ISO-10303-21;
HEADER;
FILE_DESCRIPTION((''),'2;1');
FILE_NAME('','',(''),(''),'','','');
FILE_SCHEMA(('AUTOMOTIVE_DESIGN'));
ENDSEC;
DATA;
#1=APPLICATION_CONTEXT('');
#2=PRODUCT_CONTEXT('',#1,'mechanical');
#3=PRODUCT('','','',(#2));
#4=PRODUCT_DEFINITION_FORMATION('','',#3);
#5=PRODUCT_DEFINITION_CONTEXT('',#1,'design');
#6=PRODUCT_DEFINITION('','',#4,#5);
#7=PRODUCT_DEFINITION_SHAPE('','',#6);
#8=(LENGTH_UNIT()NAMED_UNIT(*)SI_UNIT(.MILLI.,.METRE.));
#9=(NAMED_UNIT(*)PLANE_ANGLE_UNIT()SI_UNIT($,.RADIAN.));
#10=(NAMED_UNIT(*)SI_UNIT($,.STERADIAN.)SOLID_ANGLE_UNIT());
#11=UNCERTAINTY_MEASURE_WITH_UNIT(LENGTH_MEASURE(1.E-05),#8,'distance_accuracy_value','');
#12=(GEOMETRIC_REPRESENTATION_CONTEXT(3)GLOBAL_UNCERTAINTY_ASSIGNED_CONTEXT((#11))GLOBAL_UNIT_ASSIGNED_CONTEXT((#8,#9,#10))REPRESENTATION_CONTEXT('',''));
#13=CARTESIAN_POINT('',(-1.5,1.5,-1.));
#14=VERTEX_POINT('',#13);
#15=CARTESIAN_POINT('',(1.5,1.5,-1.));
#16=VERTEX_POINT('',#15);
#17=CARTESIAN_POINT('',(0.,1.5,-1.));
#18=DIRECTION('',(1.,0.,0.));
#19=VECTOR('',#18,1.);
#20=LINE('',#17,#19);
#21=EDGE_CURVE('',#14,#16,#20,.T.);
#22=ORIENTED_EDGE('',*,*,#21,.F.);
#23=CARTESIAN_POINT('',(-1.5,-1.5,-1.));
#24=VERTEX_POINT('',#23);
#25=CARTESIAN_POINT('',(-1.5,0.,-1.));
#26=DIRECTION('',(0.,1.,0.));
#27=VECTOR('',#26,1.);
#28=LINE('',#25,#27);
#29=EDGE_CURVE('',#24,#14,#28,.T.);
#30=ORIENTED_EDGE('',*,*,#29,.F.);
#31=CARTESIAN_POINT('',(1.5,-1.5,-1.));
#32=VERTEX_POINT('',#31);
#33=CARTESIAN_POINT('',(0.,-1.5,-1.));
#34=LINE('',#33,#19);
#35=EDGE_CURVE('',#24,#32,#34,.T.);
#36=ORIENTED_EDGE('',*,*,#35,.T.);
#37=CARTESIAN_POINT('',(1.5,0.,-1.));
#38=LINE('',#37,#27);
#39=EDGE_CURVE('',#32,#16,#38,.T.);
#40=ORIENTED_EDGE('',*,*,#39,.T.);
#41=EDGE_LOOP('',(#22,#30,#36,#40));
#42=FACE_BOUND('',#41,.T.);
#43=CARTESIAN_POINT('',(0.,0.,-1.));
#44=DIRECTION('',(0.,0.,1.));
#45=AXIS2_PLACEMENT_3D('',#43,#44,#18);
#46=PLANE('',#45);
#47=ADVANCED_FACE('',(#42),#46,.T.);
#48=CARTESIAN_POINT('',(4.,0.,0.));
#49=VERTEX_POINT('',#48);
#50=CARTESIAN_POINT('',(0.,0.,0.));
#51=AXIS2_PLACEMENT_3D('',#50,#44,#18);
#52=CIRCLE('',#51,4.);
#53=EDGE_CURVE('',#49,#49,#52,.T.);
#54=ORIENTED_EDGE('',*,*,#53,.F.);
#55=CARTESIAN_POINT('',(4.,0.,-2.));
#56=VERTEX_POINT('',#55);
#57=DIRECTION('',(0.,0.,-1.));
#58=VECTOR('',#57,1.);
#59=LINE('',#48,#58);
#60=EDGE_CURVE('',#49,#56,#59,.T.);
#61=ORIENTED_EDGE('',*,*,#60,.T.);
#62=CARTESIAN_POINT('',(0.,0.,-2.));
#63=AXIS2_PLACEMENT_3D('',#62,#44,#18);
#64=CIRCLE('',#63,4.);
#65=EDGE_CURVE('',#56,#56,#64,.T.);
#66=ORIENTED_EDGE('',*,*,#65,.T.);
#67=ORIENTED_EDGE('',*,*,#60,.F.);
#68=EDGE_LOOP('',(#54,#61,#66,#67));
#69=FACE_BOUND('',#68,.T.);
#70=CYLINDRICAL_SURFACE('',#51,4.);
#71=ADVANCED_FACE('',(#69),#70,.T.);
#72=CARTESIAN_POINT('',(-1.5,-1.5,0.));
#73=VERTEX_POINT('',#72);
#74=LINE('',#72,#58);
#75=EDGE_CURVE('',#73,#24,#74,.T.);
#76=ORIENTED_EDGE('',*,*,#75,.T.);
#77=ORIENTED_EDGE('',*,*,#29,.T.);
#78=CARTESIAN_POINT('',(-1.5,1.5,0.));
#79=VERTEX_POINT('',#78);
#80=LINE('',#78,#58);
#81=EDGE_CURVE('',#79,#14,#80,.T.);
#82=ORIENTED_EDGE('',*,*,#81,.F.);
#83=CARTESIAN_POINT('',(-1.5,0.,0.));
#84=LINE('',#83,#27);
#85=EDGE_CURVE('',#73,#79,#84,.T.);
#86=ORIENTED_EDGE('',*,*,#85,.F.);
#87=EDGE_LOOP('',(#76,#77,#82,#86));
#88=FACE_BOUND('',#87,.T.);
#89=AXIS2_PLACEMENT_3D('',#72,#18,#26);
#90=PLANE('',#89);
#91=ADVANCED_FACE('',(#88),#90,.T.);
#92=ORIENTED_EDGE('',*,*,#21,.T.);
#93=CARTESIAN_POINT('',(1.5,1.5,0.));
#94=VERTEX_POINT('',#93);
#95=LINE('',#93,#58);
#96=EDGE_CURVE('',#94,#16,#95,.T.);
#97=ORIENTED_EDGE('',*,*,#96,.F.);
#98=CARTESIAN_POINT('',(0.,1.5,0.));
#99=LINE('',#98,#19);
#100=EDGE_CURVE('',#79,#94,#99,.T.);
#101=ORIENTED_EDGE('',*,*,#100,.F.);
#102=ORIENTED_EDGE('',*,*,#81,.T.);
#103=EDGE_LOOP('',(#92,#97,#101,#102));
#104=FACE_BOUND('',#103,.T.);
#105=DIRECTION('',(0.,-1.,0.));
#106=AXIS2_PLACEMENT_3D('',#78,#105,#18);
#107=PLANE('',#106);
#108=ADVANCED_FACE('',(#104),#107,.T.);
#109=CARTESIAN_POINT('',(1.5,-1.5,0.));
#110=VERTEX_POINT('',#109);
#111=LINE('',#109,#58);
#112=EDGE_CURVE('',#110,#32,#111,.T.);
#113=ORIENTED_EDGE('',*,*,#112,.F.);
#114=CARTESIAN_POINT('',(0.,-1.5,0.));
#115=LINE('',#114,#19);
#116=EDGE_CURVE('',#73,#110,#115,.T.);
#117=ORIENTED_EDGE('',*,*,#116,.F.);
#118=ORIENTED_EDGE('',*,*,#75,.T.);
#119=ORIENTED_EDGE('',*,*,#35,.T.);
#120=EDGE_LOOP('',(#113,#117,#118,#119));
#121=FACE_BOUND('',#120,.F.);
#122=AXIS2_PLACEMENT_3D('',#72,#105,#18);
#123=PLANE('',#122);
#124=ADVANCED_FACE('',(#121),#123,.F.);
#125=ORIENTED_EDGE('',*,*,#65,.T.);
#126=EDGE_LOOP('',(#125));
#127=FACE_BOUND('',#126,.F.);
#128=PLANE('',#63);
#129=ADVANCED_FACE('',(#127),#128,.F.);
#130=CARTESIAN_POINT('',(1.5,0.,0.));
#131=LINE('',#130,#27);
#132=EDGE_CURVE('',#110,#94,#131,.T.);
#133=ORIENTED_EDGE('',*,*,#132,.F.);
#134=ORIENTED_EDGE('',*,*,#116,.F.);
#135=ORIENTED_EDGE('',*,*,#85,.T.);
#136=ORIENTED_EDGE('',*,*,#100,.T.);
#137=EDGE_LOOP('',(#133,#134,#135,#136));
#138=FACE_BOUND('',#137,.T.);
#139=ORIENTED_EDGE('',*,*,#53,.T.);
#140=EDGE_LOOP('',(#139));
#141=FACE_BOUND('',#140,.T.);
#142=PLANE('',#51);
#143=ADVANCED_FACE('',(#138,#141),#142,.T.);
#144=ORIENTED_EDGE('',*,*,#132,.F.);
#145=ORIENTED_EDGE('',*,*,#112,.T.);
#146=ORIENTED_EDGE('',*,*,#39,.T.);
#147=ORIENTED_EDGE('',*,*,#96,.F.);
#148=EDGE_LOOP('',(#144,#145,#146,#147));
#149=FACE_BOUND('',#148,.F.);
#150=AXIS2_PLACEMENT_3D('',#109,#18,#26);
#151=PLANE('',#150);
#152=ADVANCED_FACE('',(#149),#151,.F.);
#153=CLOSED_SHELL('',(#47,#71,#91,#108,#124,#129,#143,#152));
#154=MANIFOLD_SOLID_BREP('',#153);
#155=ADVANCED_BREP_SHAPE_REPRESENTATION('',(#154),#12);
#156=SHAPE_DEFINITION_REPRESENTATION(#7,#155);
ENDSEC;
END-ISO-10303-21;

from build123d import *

# Parameters (mm, degrees)
F0_R     = 4
F1_DEPTH = 2
F2_W     = 3
F2_H     = 3
F3_DEPTH = 1


with BuildPart() as f1:
    # F0 (on Top) → F1 (new body)
    with BuildSketch(Plane.XY):
        Circle(F0_R)
    extrude(amount=-F1_DEPTH)

    # F2 (on face) → F3 (cut)
    with BuildSketch(Plane.XY):
        Rectangle(F2_W, F2_H)
    extrude(amount=-F3_DEPTH, mode=Mode.SUBTRACT)


solid = f1.part
